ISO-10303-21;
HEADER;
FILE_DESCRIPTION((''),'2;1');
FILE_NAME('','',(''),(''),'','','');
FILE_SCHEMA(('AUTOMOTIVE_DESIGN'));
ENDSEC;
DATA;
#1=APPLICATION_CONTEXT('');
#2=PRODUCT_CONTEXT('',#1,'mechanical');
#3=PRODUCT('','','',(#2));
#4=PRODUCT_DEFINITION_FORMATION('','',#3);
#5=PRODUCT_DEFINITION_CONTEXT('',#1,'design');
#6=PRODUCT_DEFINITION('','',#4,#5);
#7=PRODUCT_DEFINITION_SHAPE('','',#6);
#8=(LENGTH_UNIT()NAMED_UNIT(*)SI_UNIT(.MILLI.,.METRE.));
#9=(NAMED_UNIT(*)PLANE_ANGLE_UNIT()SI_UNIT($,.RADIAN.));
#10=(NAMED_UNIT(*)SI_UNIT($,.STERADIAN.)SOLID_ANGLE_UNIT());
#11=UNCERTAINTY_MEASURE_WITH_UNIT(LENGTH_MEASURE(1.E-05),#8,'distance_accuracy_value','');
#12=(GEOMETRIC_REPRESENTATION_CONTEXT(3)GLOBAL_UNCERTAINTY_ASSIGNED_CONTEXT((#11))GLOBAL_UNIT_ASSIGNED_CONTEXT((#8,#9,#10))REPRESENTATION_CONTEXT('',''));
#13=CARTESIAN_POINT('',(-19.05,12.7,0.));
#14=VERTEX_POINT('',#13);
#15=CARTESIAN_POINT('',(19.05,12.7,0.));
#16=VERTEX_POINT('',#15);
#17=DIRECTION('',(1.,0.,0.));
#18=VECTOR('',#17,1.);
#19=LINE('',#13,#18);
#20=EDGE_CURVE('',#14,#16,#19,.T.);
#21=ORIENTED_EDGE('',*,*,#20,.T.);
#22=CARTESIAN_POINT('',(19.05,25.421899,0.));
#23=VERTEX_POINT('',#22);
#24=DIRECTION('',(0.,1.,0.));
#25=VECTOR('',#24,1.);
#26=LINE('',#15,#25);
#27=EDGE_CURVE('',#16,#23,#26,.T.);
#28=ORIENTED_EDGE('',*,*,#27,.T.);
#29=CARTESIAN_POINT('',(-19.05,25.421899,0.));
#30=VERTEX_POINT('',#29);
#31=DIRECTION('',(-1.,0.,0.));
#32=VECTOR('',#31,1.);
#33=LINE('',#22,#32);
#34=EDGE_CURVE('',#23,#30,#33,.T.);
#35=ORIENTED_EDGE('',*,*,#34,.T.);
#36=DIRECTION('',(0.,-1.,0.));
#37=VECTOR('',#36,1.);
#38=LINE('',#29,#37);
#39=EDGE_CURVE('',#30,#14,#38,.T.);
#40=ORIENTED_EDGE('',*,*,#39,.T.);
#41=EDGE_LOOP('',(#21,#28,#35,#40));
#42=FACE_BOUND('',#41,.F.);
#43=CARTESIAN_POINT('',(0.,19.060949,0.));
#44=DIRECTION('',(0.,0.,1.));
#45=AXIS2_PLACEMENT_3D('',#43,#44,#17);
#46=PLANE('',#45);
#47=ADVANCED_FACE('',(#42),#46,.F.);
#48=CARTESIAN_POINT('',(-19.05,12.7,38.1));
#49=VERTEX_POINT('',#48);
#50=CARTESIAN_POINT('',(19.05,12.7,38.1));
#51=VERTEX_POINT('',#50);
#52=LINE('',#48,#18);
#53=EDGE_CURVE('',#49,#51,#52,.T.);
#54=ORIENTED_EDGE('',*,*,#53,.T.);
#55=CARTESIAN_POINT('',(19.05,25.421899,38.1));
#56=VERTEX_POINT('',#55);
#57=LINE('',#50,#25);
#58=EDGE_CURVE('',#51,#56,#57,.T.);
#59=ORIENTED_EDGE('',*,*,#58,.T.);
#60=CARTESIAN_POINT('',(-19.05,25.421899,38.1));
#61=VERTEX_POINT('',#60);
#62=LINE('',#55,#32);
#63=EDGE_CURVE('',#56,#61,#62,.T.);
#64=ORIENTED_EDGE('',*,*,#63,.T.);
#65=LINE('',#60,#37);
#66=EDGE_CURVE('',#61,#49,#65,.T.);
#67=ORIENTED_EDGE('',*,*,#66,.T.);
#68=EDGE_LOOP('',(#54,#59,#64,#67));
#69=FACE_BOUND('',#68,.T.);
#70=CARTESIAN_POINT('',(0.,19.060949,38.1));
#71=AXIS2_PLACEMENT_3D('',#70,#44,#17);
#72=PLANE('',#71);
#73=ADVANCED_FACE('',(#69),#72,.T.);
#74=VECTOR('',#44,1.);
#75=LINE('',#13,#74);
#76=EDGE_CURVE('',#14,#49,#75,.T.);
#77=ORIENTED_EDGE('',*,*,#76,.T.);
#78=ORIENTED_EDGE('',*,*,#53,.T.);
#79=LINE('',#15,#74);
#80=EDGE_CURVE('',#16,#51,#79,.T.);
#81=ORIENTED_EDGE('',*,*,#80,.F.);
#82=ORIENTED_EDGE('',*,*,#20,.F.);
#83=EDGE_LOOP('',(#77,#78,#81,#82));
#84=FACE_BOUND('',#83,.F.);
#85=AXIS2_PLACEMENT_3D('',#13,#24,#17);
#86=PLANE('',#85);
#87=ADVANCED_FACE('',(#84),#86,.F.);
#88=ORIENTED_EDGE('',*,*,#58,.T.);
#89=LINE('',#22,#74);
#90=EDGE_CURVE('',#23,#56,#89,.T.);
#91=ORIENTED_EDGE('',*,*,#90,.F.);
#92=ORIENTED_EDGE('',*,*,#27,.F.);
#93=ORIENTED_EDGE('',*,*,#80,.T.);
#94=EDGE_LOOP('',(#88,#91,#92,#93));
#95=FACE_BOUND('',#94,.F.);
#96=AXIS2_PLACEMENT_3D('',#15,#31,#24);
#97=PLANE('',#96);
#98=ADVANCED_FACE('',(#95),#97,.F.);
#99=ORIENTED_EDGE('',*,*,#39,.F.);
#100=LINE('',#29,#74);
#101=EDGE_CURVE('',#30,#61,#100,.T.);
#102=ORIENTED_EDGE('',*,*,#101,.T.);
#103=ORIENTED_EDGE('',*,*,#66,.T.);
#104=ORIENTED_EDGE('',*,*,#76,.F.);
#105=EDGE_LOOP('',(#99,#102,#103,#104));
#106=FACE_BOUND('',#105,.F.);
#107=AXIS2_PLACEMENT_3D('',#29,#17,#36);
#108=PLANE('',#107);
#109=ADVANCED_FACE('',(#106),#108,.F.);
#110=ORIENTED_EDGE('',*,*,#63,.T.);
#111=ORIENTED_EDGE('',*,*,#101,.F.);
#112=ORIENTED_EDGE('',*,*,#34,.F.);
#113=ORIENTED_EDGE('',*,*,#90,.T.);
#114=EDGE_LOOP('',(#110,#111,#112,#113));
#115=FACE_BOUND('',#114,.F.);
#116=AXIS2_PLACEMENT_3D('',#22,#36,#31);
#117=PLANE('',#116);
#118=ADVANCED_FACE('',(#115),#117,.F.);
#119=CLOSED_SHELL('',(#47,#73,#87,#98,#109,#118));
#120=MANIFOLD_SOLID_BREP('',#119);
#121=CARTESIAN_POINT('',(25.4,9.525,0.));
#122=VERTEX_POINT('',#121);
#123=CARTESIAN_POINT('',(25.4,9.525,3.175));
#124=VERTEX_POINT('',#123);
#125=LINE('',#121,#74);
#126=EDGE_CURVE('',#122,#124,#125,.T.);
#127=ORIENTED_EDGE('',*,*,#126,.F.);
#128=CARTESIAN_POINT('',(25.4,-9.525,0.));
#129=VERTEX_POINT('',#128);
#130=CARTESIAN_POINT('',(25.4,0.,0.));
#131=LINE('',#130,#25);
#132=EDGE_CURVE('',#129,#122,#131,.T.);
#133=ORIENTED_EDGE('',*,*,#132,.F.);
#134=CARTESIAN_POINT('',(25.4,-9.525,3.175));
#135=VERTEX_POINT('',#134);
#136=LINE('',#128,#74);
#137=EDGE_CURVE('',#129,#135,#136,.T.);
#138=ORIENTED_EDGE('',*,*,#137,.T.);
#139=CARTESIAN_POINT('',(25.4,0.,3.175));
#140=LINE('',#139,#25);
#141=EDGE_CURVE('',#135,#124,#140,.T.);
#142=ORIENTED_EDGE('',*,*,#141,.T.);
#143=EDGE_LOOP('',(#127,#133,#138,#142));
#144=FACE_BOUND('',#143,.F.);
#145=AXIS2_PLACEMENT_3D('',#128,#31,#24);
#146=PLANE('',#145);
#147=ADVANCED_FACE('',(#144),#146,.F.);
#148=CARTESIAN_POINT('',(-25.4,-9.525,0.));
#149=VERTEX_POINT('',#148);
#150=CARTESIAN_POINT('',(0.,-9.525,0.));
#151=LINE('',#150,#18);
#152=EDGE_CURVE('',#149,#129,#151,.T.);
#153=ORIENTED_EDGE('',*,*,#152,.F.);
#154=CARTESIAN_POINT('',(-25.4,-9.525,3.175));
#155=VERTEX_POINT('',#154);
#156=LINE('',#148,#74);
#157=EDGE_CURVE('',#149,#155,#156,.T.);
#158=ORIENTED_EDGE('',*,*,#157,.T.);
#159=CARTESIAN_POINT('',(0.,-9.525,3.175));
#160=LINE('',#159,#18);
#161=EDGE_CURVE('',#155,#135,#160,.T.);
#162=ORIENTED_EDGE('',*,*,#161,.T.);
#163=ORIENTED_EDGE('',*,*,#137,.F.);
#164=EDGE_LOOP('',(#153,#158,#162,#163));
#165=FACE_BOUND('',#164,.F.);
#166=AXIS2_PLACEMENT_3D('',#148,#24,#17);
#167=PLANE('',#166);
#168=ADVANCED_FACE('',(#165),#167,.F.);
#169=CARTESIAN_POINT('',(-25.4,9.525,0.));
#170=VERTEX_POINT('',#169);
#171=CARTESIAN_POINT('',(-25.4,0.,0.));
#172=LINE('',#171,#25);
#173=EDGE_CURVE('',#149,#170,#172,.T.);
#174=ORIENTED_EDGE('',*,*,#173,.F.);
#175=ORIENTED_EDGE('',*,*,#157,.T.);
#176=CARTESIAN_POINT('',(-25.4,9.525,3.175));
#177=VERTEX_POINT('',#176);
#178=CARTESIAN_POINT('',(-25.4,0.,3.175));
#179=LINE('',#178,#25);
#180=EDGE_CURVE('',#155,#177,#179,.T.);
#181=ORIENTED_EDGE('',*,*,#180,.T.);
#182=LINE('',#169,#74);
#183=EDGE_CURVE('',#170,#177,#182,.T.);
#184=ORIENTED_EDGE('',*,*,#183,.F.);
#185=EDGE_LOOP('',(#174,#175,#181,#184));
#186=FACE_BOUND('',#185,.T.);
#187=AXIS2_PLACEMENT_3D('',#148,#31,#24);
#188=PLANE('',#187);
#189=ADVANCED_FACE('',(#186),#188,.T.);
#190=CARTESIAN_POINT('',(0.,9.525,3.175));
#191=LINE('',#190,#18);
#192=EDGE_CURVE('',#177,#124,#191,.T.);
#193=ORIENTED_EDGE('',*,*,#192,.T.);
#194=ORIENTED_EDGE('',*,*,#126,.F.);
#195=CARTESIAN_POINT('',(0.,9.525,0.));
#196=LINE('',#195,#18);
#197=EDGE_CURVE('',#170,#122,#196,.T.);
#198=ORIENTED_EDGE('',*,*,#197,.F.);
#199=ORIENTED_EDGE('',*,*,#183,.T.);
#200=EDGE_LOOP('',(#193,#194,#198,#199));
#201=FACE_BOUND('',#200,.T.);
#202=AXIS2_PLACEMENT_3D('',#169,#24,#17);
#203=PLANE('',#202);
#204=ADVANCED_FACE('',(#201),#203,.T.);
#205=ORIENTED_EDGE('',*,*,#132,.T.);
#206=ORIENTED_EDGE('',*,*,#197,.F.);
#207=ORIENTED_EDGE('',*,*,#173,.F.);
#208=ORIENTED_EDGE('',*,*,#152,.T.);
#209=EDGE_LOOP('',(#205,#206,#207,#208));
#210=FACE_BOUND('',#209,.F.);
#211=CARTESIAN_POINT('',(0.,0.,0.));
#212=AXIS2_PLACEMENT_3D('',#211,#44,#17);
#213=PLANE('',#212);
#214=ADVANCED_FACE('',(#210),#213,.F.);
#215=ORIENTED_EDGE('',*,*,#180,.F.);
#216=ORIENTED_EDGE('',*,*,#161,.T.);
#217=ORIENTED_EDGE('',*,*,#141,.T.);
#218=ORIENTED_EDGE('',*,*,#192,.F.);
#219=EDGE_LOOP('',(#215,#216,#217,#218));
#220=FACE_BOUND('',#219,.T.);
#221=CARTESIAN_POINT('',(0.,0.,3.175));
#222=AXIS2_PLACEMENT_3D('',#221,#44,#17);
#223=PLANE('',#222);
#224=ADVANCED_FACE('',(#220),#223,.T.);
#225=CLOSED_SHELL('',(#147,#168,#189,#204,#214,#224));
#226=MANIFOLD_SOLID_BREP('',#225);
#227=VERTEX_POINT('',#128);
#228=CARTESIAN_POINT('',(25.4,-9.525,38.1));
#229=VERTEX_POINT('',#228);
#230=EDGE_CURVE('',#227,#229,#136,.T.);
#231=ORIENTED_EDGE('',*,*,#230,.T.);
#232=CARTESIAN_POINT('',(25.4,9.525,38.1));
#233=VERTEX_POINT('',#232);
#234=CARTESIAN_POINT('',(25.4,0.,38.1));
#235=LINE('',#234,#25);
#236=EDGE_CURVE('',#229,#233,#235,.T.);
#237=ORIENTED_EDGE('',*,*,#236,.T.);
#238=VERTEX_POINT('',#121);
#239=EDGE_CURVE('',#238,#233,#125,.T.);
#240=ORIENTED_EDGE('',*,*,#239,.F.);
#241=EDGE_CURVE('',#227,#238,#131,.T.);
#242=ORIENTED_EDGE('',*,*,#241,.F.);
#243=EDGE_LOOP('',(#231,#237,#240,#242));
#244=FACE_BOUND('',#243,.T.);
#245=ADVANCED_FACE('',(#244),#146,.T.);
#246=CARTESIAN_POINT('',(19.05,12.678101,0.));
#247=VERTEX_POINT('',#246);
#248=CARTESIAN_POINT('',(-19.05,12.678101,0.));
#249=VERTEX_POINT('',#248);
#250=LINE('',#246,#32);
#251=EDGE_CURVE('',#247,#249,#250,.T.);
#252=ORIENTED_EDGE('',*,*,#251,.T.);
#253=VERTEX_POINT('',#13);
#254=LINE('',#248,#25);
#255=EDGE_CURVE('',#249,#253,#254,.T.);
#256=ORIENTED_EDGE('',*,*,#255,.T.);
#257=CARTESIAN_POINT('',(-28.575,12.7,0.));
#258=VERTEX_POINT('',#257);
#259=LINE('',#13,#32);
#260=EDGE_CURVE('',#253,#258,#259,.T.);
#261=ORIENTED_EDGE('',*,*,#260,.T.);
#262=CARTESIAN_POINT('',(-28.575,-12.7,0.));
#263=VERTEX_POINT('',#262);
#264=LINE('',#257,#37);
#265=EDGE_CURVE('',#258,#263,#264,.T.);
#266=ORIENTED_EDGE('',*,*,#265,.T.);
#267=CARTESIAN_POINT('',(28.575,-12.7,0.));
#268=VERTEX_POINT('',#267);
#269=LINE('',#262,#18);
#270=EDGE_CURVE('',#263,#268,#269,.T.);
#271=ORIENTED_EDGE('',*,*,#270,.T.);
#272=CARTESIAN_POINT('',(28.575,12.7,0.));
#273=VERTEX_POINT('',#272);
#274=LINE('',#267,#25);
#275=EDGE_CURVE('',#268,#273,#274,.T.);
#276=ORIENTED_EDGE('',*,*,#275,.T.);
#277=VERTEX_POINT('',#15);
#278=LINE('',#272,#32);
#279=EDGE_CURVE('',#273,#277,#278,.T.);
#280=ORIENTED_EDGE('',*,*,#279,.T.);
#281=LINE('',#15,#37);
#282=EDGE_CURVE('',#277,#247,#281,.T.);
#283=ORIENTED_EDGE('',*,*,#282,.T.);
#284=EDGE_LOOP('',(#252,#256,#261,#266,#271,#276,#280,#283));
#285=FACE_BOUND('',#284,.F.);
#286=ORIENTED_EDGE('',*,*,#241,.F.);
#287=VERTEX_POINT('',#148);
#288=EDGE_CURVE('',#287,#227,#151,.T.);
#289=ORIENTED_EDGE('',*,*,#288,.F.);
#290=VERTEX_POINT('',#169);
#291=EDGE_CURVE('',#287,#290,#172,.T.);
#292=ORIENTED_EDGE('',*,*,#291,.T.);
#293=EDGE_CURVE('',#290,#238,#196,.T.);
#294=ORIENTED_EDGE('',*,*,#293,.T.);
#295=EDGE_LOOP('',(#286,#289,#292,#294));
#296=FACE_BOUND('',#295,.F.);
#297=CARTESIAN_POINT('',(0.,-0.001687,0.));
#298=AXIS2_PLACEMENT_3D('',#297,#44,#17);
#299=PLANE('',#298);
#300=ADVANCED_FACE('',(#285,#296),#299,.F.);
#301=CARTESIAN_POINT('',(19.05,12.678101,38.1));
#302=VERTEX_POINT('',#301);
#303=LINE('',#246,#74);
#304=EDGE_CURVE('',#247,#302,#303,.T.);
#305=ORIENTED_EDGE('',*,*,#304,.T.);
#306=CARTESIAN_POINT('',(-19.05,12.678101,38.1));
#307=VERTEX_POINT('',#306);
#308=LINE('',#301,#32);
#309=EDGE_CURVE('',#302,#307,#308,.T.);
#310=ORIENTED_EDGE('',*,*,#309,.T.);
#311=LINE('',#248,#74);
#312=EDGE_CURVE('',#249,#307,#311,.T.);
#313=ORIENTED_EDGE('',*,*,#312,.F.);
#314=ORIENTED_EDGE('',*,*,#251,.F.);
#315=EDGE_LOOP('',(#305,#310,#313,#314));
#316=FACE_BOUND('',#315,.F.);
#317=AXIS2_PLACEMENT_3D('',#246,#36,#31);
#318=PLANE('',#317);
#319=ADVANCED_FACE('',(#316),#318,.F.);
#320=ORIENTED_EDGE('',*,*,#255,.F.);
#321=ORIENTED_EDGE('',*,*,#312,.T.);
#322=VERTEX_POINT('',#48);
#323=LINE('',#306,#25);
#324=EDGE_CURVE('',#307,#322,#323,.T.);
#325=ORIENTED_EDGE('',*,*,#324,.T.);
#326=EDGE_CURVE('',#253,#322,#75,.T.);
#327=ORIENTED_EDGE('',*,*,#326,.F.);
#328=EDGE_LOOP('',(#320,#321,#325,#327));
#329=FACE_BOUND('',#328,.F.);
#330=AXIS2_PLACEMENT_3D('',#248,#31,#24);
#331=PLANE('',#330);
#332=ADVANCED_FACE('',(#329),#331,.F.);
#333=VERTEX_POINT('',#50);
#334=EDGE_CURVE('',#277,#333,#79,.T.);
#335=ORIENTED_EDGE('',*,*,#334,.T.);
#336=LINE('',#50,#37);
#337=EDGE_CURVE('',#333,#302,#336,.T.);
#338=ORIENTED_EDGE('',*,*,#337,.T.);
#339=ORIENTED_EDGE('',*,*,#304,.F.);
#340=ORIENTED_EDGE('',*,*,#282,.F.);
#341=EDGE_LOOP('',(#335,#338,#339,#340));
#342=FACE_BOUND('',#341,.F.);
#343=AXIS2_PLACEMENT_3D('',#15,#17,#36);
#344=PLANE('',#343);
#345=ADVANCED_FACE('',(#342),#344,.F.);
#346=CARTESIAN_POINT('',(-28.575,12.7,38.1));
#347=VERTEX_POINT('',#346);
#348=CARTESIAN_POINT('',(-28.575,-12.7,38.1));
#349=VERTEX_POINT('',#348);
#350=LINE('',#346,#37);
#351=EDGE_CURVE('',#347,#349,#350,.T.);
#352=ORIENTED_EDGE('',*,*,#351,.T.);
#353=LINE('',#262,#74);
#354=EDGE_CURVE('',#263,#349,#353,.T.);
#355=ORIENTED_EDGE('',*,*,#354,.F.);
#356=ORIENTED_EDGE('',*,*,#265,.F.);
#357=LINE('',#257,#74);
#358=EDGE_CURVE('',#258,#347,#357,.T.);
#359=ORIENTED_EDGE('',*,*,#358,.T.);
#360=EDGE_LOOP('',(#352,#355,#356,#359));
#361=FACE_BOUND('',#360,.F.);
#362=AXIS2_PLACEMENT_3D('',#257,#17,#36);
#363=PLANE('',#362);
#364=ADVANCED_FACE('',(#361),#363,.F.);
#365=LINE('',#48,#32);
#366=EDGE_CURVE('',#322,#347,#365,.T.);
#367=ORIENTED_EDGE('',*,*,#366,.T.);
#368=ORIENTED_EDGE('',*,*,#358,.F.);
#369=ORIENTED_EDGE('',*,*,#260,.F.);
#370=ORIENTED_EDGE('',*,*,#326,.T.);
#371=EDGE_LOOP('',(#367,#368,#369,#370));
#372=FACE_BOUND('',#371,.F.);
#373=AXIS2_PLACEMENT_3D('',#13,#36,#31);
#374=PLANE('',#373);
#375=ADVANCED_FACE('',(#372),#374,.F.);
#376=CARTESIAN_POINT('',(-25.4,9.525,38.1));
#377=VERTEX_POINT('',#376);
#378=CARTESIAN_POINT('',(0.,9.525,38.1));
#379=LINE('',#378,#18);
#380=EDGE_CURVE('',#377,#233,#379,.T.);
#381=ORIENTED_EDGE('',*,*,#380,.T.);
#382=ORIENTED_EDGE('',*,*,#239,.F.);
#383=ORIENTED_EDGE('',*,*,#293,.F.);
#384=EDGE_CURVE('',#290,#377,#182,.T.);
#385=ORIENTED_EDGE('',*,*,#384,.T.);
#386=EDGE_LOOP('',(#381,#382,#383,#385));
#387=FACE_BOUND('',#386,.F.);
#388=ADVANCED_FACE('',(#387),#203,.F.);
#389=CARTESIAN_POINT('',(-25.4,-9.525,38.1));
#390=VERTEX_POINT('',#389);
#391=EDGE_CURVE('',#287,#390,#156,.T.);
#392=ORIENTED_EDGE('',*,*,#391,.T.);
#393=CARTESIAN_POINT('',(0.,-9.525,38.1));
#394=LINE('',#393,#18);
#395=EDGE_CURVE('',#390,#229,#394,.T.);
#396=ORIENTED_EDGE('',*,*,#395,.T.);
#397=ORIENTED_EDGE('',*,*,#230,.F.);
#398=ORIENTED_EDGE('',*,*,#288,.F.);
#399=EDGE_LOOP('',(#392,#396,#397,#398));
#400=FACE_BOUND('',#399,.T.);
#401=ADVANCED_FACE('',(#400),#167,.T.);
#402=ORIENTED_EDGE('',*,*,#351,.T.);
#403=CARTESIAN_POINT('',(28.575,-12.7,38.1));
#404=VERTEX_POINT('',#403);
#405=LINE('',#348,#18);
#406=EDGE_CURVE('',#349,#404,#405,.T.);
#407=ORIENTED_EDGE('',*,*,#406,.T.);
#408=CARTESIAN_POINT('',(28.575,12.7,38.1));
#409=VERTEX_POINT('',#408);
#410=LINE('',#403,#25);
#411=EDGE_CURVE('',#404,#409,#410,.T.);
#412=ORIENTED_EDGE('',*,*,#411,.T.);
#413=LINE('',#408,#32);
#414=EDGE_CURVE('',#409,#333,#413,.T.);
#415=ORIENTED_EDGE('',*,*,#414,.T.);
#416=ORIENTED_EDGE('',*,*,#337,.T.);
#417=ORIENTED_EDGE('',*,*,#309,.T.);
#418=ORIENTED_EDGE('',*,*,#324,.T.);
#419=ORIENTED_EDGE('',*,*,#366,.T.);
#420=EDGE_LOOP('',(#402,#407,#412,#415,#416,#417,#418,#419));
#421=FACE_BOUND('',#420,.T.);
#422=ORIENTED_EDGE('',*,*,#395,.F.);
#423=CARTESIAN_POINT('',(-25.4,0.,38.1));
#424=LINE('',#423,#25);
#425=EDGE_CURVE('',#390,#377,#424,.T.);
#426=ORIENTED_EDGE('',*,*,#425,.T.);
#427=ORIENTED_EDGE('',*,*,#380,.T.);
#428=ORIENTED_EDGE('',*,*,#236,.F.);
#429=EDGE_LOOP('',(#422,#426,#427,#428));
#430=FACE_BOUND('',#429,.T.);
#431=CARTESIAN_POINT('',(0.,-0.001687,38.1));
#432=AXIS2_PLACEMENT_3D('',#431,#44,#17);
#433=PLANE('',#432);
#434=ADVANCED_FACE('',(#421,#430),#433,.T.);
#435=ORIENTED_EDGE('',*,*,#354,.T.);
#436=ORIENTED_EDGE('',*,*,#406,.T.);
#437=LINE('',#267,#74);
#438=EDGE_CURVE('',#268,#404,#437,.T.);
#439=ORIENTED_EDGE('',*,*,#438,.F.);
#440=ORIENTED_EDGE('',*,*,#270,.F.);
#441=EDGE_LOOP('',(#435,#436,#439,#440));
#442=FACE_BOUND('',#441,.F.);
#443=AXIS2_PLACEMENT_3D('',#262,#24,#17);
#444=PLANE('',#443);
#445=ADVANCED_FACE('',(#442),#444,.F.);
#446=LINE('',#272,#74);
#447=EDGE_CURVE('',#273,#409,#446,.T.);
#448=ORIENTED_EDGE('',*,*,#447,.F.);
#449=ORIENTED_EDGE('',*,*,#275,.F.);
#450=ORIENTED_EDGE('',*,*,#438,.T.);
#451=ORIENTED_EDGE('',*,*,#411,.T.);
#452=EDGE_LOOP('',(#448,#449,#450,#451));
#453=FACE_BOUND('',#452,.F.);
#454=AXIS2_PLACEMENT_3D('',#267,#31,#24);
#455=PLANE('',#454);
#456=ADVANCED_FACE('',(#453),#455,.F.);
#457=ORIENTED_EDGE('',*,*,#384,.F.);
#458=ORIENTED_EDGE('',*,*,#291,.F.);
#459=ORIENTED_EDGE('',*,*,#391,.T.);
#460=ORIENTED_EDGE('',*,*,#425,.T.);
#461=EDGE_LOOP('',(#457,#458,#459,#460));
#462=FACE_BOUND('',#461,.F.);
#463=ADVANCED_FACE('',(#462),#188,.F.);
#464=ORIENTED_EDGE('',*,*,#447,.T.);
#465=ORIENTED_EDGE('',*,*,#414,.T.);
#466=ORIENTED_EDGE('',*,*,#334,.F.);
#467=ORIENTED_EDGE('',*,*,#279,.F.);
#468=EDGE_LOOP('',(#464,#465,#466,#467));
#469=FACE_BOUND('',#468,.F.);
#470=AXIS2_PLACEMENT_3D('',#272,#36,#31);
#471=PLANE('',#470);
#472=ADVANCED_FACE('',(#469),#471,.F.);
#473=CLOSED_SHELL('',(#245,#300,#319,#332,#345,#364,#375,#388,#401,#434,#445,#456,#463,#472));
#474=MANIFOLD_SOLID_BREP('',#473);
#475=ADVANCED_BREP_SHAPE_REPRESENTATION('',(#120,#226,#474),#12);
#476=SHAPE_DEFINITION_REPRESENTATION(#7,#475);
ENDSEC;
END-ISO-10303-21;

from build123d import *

# Parameters (mm, degrees)
F0_W     = 50.8
F0_H     = 19.05
F1_DEPTH = 38.1
F2_DEPTH = 3.175


with BuildPart() as f1:
    # F0 (on Top) → F1 (new body)
    with BuildSketch(Plane.XY):
        Polygon((28.575, -12.7), (28.575, 12.7), (19.05, 12.7), (19.05, 12.678101), (-19.05, 12.678101), (-19.05, 12.7), (-28.575, 12.7), (-28.575, -12.7), align=None)
        Rectangle(F0_W, F0_H, mode=Mode.SUBTRACT)
        Polygon((0, 12.7), (19.05, 12.7), (19.05, 25.421899), (-19.05, 25.421899), (-19.05, 12.7), align=None)
    extrude(amount=F1_DEPTH)


with BuildPart() as f2:
    # F0 (on Top) → F2 (new body)
    with BuildSketch(Plane.XY):
        Rectangle(F0_W, F0_H)
    extrude(amount=F2_DEPTH)


solid = Compound([f1.part, f2.part])
